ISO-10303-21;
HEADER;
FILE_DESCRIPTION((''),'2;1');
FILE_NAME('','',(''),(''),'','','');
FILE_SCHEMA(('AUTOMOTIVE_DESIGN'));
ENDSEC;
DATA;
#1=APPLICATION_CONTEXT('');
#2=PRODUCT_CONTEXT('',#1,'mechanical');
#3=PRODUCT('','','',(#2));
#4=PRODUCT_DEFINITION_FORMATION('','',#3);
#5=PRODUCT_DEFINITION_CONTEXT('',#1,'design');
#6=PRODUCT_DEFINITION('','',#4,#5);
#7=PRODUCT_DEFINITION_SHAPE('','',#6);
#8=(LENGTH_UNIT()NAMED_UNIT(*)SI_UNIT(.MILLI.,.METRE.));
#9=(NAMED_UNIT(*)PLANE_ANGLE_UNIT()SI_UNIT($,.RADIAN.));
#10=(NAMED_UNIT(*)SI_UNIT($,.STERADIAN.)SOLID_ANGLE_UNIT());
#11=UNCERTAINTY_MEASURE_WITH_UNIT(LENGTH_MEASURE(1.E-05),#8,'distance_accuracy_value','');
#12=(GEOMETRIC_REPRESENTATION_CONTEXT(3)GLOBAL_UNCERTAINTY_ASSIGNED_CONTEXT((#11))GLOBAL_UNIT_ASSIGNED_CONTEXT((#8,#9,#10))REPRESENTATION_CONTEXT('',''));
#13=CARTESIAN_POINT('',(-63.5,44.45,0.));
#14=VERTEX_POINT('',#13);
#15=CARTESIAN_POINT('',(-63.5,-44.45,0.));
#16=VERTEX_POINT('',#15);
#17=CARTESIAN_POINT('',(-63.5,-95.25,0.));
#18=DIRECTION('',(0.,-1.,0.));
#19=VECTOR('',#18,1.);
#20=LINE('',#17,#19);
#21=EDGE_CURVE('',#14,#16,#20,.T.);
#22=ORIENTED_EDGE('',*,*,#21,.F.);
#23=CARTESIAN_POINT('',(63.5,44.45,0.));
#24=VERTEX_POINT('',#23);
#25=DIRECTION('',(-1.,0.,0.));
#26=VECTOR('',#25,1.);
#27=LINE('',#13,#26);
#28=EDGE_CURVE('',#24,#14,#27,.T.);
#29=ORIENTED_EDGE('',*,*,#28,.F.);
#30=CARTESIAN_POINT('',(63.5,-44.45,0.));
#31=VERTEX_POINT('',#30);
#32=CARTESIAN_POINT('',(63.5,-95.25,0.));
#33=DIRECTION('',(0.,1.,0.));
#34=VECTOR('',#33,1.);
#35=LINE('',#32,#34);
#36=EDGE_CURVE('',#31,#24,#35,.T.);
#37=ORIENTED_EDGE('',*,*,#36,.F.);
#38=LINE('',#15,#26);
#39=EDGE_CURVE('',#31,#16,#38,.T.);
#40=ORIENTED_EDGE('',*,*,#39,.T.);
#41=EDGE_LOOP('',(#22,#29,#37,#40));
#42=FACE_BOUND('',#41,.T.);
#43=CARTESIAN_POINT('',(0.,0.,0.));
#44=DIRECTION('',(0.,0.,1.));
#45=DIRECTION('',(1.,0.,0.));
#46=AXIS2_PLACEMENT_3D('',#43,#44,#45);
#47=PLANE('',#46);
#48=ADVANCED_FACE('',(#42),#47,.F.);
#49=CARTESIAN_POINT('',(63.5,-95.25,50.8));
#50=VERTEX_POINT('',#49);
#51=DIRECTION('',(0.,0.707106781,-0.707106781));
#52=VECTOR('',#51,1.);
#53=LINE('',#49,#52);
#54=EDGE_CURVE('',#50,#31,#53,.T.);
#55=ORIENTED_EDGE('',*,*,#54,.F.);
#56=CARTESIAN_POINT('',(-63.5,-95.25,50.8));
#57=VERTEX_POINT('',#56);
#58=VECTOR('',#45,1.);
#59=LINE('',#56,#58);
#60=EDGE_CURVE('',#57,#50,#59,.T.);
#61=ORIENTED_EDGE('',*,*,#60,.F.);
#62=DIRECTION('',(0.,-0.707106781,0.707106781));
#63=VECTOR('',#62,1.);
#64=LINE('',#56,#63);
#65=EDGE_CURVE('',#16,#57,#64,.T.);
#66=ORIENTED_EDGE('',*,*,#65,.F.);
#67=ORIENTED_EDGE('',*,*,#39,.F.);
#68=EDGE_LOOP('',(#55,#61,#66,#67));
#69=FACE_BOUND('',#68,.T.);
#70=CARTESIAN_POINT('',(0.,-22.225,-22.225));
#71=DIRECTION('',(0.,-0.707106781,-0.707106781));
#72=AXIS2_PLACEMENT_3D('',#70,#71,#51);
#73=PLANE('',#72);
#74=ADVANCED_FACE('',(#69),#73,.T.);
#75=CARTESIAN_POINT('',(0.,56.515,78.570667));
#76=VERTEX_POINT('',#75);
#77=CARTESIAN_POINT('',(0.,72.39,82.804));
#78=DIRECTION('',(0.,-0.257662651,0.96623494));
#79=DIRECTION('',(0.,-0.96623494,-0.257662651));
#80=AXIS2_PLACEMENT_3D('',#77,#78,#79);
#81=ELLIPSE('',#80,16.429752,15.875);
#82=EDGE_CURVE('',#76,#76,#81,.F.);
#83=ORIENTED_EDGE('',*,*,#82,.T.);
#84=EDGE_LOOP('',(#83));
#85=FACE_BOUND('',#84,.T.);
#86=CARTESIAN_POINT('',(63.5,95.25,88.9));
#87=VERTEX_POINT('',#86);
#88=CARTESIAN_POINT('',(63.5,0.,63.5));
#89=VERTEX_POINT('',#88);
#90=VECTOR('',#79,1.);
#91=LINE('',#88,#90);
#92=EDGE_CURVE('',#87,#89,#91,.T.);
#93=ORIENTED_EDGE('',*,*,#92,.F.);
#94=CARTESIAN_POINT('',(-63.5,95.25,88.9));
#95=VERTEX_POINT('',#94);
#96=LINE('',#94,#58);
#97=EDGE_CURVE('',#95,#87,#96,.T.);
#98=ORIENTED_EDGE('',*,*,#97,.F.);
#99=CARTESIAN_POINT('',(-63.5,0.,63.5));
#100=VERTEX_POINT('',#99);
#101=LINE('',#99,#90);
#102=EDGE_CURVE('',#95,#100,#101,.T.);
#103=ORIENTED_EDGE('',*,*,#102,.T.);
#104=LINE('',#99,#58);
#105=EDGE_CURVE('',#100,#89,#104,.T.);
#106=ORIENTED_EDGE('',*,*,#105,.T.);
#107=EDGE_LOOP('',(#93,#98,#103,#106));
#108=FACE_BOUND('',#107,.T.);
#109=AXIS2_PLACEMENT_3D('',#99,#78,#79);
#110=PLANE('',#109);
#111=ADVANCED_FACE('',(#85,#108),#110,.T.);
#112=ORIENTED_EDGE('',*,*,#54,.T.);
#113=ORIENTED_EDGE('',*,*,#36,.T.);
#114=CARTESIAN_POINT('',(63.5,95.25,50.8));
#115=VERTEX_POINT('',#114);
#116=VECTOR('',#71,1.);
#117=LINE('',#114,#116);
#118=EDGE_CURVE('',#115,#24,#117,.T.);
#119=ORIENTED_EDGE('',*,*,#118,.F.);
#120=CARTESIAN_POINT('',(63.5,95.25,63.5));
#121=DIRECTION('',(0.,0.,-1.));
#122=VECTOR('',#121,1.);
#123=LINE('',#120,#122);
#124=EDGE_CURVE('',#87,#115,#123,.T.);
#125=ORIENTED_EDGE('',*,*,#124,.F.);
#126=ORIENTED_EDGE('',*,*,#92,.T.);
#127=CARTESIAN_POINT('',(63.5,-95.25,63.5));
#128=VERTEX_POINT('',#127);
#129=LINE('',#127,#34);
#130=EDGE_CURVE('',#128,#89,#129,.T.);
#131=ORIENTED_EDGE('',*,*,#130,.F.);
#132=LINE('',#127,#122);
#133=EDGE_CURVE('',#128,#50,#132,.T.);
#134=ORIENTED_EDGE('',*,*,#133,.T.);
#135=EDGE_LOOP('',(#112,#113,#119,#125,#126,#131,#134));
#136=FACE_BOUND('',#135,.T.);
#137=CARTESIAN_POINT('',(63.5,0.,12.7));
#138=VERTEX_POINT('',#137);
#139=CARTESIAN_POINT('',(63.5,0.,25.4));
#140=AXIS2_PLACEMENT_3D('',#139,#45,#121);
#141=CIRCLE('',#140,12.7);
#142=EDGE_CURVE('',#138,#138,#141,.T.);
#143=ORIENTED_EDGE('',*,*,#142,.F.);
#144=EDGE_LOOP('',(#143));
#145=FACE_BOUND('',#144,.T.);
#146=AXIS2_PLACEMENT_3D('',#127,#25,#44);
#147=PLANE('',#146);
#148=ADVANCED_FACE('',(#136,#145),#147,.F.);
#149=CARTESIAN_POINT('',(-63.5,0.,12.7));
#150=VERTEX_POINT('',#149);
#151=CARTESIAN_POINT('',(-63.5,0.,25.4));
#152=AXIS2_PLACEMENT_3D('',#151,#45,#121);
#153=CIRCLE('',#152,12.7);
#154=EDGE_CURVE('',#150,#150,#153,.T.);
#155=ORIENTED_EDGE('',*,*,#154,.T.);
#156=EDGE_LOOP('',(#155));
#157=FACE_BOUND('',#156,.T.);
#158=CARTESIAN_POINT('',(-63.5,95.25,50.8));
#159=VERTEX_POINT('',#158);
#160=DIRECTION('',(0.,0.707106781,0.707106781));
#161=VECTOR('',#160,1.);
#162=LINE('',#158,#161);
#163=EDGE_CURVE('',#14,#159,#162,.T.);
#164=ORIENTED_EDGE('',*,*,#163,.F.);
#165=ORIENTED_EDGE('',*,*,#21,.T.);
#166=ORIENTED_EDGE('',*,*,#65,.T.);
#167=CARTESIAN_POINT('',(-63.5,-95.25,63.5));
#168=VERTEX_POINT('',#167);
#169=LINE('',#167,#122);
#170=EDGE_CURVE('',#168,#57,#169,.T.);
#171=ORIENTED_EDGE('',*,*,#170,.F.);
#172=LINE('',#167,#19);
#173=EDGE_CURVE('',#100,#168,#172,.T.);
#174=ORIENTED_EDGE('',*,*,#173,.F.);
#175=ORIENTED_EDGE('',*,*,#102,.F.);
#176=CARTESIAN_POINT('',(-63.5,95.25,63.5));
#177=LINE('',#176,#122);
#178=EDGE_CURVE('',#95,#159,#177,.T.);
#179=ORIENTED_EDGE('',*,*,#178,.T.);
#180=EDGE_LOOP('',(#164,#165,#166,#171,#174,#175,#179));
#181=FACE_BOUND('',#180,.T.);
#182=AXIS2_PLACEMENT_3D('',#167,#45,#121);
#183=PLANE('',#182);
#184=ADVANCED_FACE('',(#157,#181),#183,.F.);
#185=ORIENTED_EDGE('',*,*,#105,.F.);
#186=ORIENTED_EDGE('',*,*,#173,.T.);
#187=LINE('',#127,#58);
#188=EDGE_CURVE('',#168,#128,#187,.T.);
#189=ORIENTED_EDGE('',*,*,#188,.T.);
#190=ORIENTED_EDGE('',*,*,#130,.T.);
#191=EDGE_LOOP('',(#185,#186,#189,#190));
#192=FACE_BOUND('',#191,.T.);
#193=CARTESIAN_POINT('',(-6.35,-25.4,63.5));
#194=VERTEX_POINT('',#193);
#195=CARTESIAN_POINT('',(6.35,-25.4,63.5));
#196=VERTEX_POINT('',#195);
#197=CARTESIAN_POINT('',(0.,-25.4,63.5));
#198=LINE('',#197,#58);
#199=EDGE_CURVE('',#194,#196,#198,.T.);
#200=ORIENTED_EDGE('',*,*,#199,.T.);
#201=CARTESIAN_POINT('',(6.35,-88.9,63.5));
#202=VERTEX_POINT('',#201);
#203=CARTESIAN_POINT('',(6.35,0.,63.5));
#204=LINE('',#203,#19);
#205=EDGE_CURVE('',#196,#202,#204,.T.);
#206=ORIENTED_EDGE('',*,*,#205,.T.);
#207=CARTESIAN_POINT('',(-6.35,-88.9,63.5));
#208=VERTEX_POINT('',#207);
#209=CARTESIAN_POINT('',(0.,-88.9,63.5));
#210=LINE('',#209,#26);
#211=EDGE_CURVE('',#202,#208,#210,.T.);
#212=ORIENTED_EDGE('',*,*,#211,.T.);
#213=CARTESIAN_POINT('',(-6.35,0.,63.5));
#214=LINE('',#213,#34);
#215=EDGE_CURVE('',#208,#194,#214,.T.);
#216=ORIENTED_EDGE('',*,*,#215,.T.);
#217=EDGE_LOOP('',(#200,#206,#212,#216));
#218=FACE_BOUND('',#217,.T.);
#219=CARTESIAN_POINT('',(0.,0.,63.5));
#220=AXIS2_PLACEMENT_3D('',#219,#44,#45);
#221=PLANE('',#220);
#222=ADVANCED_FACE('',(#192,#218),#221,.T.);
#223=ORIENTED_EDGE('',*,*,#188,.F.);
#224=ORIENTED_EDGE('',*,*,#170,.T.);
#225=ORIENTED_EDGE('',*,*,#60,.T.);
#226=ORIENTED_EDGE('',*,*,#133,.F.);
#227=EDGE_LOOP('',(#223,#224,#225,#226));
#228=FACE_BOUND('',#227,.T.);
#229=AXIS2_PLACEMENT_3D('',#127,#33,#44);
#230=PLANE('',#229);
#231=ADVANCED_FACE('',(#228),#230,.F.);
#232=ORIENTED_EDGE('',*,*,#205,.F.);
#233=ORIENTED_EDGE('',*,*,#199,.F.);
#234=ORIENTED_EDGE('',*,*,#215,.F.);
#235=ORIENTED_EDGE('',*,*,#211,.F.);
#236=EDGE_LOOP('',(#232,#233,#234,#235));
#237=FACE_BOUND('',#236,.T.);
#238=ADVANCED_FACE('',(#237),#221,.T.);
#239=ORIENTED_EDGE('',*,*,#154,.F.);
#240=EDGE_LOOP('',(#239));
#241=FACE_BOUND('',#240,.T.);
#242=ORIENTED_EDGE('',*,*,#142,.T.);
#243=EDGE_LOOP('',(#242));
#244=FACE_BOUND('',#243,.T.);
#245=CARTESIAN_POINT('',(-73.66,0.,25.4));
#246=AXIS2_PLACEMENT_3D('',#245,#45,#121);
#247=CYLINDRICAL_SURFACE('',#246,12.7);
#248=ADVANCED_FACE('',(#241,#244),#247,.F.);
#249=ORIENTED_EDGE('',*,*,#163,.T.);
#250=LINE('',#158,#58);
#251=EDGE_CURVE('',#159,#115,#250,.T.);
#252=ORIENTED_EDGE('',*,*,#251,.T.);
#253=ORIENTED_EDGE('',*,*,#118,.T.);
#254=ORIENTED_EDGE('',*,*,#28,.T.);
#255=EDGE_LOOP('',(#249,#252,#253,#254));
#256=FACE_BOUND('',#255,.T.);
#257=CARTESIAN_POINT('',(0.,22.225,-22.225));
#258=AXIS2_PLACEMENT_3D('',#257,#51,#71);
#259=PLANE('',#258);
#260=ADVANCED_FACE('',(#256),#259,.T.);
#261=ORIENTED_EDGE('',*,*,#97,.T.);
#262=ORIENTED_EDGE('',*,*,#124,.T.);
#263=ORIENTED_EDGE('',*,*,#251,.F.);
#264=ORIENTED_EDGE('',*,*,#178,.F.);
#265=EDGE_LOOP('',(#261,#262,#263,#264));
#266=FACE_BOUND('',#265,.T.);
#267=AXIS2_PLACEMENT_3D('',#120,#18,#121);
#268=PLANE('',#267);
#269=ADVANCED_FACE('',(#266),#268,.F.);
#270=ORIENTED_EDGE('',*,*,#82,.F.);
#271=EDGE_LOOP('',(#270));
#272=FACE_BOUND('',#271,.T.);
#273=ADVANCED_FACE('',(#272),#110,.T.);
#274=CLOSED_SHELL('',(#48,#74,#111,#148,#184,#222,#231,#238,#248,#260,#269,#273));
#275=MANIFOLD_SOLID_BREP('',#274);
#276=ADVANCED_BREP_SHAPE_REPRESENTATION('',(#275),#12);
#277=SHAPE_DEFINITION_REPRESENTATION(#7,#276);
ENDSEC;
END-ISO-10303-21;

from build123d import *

# Parameters (mm, degrees)
SKETCH1_W           = 127
SKETCH1_H           = 190.5
BOSS_EXTRUDE1_DEPTH = 63.5
SKETCH4_W           = 127
SKETCH4_H           = 71.842048968
CUT_EXTRUDE1_DEPTH  = 63.5
SKETCH5_R           = 12.7
CUT_EXTRUDE2_DEPTH  = 137.16
BOSS_EXTRUDE2_DEPTH = 127


with BuildPart() as part:
    # Sketch1 → Boss-Extrude1 (new body)
    with BuildSketch(Plane.XY):
        Rectangle(SKETCH1_W, SKETCH1_H)
    extrude(amount=BOSS_EXTRUDE1_DEPTH)

    # Sketch4 → Cut-Extrude1 (cut)
    with BuildSketch(Plane(origin=(0, -22.225, -22.225), x_dir=(1, 0, 0), z_dir=(0, 0.7071067811865477, 0.7071067811865475))):
        with Locations((0, -67.351920908)):
            Rectangle(SKETCH4_W, SKETCH4_H)
    cut_extrude1 = extrude(amount=-CUT_EXTRUDE1_DEPTH, mode=Mode.SUBTRACT)

    # Sketch5 → Cut-Extrude2 (cut)
    with BuildSketch(Plane(origin=(63.5, 0, 0), x_dir=(0, 0, -1), z_dir=(1, 0, 0))):
        with Locations((-25.4, 0)):
            Circle(SKETCH5_R)
    extrude(amount=-CUT_EXTRUDE2_DEPTH, mode=Mode.SUBTRACT)

    # Mirror1: Cut-Extrude1 across plane
    add(cut_extrude1.mirror(Plane.ZX), mode=Mode.SUBTRACT)

    # Sketch7 → Boss-Extrude2 (add)
    with BuildSketch(Plane(origin=(63.5, 0, 0), x_dir=(0, 0, -1), z_dir=(1, 0, 0))):
        Polygon((-63.5, 95.25), (-88.9, 95.25), (-63.5, 0), align=None)
    extrude(amount=-BOSS_EXTRUDE2_DEPTH)


solid = part.part
